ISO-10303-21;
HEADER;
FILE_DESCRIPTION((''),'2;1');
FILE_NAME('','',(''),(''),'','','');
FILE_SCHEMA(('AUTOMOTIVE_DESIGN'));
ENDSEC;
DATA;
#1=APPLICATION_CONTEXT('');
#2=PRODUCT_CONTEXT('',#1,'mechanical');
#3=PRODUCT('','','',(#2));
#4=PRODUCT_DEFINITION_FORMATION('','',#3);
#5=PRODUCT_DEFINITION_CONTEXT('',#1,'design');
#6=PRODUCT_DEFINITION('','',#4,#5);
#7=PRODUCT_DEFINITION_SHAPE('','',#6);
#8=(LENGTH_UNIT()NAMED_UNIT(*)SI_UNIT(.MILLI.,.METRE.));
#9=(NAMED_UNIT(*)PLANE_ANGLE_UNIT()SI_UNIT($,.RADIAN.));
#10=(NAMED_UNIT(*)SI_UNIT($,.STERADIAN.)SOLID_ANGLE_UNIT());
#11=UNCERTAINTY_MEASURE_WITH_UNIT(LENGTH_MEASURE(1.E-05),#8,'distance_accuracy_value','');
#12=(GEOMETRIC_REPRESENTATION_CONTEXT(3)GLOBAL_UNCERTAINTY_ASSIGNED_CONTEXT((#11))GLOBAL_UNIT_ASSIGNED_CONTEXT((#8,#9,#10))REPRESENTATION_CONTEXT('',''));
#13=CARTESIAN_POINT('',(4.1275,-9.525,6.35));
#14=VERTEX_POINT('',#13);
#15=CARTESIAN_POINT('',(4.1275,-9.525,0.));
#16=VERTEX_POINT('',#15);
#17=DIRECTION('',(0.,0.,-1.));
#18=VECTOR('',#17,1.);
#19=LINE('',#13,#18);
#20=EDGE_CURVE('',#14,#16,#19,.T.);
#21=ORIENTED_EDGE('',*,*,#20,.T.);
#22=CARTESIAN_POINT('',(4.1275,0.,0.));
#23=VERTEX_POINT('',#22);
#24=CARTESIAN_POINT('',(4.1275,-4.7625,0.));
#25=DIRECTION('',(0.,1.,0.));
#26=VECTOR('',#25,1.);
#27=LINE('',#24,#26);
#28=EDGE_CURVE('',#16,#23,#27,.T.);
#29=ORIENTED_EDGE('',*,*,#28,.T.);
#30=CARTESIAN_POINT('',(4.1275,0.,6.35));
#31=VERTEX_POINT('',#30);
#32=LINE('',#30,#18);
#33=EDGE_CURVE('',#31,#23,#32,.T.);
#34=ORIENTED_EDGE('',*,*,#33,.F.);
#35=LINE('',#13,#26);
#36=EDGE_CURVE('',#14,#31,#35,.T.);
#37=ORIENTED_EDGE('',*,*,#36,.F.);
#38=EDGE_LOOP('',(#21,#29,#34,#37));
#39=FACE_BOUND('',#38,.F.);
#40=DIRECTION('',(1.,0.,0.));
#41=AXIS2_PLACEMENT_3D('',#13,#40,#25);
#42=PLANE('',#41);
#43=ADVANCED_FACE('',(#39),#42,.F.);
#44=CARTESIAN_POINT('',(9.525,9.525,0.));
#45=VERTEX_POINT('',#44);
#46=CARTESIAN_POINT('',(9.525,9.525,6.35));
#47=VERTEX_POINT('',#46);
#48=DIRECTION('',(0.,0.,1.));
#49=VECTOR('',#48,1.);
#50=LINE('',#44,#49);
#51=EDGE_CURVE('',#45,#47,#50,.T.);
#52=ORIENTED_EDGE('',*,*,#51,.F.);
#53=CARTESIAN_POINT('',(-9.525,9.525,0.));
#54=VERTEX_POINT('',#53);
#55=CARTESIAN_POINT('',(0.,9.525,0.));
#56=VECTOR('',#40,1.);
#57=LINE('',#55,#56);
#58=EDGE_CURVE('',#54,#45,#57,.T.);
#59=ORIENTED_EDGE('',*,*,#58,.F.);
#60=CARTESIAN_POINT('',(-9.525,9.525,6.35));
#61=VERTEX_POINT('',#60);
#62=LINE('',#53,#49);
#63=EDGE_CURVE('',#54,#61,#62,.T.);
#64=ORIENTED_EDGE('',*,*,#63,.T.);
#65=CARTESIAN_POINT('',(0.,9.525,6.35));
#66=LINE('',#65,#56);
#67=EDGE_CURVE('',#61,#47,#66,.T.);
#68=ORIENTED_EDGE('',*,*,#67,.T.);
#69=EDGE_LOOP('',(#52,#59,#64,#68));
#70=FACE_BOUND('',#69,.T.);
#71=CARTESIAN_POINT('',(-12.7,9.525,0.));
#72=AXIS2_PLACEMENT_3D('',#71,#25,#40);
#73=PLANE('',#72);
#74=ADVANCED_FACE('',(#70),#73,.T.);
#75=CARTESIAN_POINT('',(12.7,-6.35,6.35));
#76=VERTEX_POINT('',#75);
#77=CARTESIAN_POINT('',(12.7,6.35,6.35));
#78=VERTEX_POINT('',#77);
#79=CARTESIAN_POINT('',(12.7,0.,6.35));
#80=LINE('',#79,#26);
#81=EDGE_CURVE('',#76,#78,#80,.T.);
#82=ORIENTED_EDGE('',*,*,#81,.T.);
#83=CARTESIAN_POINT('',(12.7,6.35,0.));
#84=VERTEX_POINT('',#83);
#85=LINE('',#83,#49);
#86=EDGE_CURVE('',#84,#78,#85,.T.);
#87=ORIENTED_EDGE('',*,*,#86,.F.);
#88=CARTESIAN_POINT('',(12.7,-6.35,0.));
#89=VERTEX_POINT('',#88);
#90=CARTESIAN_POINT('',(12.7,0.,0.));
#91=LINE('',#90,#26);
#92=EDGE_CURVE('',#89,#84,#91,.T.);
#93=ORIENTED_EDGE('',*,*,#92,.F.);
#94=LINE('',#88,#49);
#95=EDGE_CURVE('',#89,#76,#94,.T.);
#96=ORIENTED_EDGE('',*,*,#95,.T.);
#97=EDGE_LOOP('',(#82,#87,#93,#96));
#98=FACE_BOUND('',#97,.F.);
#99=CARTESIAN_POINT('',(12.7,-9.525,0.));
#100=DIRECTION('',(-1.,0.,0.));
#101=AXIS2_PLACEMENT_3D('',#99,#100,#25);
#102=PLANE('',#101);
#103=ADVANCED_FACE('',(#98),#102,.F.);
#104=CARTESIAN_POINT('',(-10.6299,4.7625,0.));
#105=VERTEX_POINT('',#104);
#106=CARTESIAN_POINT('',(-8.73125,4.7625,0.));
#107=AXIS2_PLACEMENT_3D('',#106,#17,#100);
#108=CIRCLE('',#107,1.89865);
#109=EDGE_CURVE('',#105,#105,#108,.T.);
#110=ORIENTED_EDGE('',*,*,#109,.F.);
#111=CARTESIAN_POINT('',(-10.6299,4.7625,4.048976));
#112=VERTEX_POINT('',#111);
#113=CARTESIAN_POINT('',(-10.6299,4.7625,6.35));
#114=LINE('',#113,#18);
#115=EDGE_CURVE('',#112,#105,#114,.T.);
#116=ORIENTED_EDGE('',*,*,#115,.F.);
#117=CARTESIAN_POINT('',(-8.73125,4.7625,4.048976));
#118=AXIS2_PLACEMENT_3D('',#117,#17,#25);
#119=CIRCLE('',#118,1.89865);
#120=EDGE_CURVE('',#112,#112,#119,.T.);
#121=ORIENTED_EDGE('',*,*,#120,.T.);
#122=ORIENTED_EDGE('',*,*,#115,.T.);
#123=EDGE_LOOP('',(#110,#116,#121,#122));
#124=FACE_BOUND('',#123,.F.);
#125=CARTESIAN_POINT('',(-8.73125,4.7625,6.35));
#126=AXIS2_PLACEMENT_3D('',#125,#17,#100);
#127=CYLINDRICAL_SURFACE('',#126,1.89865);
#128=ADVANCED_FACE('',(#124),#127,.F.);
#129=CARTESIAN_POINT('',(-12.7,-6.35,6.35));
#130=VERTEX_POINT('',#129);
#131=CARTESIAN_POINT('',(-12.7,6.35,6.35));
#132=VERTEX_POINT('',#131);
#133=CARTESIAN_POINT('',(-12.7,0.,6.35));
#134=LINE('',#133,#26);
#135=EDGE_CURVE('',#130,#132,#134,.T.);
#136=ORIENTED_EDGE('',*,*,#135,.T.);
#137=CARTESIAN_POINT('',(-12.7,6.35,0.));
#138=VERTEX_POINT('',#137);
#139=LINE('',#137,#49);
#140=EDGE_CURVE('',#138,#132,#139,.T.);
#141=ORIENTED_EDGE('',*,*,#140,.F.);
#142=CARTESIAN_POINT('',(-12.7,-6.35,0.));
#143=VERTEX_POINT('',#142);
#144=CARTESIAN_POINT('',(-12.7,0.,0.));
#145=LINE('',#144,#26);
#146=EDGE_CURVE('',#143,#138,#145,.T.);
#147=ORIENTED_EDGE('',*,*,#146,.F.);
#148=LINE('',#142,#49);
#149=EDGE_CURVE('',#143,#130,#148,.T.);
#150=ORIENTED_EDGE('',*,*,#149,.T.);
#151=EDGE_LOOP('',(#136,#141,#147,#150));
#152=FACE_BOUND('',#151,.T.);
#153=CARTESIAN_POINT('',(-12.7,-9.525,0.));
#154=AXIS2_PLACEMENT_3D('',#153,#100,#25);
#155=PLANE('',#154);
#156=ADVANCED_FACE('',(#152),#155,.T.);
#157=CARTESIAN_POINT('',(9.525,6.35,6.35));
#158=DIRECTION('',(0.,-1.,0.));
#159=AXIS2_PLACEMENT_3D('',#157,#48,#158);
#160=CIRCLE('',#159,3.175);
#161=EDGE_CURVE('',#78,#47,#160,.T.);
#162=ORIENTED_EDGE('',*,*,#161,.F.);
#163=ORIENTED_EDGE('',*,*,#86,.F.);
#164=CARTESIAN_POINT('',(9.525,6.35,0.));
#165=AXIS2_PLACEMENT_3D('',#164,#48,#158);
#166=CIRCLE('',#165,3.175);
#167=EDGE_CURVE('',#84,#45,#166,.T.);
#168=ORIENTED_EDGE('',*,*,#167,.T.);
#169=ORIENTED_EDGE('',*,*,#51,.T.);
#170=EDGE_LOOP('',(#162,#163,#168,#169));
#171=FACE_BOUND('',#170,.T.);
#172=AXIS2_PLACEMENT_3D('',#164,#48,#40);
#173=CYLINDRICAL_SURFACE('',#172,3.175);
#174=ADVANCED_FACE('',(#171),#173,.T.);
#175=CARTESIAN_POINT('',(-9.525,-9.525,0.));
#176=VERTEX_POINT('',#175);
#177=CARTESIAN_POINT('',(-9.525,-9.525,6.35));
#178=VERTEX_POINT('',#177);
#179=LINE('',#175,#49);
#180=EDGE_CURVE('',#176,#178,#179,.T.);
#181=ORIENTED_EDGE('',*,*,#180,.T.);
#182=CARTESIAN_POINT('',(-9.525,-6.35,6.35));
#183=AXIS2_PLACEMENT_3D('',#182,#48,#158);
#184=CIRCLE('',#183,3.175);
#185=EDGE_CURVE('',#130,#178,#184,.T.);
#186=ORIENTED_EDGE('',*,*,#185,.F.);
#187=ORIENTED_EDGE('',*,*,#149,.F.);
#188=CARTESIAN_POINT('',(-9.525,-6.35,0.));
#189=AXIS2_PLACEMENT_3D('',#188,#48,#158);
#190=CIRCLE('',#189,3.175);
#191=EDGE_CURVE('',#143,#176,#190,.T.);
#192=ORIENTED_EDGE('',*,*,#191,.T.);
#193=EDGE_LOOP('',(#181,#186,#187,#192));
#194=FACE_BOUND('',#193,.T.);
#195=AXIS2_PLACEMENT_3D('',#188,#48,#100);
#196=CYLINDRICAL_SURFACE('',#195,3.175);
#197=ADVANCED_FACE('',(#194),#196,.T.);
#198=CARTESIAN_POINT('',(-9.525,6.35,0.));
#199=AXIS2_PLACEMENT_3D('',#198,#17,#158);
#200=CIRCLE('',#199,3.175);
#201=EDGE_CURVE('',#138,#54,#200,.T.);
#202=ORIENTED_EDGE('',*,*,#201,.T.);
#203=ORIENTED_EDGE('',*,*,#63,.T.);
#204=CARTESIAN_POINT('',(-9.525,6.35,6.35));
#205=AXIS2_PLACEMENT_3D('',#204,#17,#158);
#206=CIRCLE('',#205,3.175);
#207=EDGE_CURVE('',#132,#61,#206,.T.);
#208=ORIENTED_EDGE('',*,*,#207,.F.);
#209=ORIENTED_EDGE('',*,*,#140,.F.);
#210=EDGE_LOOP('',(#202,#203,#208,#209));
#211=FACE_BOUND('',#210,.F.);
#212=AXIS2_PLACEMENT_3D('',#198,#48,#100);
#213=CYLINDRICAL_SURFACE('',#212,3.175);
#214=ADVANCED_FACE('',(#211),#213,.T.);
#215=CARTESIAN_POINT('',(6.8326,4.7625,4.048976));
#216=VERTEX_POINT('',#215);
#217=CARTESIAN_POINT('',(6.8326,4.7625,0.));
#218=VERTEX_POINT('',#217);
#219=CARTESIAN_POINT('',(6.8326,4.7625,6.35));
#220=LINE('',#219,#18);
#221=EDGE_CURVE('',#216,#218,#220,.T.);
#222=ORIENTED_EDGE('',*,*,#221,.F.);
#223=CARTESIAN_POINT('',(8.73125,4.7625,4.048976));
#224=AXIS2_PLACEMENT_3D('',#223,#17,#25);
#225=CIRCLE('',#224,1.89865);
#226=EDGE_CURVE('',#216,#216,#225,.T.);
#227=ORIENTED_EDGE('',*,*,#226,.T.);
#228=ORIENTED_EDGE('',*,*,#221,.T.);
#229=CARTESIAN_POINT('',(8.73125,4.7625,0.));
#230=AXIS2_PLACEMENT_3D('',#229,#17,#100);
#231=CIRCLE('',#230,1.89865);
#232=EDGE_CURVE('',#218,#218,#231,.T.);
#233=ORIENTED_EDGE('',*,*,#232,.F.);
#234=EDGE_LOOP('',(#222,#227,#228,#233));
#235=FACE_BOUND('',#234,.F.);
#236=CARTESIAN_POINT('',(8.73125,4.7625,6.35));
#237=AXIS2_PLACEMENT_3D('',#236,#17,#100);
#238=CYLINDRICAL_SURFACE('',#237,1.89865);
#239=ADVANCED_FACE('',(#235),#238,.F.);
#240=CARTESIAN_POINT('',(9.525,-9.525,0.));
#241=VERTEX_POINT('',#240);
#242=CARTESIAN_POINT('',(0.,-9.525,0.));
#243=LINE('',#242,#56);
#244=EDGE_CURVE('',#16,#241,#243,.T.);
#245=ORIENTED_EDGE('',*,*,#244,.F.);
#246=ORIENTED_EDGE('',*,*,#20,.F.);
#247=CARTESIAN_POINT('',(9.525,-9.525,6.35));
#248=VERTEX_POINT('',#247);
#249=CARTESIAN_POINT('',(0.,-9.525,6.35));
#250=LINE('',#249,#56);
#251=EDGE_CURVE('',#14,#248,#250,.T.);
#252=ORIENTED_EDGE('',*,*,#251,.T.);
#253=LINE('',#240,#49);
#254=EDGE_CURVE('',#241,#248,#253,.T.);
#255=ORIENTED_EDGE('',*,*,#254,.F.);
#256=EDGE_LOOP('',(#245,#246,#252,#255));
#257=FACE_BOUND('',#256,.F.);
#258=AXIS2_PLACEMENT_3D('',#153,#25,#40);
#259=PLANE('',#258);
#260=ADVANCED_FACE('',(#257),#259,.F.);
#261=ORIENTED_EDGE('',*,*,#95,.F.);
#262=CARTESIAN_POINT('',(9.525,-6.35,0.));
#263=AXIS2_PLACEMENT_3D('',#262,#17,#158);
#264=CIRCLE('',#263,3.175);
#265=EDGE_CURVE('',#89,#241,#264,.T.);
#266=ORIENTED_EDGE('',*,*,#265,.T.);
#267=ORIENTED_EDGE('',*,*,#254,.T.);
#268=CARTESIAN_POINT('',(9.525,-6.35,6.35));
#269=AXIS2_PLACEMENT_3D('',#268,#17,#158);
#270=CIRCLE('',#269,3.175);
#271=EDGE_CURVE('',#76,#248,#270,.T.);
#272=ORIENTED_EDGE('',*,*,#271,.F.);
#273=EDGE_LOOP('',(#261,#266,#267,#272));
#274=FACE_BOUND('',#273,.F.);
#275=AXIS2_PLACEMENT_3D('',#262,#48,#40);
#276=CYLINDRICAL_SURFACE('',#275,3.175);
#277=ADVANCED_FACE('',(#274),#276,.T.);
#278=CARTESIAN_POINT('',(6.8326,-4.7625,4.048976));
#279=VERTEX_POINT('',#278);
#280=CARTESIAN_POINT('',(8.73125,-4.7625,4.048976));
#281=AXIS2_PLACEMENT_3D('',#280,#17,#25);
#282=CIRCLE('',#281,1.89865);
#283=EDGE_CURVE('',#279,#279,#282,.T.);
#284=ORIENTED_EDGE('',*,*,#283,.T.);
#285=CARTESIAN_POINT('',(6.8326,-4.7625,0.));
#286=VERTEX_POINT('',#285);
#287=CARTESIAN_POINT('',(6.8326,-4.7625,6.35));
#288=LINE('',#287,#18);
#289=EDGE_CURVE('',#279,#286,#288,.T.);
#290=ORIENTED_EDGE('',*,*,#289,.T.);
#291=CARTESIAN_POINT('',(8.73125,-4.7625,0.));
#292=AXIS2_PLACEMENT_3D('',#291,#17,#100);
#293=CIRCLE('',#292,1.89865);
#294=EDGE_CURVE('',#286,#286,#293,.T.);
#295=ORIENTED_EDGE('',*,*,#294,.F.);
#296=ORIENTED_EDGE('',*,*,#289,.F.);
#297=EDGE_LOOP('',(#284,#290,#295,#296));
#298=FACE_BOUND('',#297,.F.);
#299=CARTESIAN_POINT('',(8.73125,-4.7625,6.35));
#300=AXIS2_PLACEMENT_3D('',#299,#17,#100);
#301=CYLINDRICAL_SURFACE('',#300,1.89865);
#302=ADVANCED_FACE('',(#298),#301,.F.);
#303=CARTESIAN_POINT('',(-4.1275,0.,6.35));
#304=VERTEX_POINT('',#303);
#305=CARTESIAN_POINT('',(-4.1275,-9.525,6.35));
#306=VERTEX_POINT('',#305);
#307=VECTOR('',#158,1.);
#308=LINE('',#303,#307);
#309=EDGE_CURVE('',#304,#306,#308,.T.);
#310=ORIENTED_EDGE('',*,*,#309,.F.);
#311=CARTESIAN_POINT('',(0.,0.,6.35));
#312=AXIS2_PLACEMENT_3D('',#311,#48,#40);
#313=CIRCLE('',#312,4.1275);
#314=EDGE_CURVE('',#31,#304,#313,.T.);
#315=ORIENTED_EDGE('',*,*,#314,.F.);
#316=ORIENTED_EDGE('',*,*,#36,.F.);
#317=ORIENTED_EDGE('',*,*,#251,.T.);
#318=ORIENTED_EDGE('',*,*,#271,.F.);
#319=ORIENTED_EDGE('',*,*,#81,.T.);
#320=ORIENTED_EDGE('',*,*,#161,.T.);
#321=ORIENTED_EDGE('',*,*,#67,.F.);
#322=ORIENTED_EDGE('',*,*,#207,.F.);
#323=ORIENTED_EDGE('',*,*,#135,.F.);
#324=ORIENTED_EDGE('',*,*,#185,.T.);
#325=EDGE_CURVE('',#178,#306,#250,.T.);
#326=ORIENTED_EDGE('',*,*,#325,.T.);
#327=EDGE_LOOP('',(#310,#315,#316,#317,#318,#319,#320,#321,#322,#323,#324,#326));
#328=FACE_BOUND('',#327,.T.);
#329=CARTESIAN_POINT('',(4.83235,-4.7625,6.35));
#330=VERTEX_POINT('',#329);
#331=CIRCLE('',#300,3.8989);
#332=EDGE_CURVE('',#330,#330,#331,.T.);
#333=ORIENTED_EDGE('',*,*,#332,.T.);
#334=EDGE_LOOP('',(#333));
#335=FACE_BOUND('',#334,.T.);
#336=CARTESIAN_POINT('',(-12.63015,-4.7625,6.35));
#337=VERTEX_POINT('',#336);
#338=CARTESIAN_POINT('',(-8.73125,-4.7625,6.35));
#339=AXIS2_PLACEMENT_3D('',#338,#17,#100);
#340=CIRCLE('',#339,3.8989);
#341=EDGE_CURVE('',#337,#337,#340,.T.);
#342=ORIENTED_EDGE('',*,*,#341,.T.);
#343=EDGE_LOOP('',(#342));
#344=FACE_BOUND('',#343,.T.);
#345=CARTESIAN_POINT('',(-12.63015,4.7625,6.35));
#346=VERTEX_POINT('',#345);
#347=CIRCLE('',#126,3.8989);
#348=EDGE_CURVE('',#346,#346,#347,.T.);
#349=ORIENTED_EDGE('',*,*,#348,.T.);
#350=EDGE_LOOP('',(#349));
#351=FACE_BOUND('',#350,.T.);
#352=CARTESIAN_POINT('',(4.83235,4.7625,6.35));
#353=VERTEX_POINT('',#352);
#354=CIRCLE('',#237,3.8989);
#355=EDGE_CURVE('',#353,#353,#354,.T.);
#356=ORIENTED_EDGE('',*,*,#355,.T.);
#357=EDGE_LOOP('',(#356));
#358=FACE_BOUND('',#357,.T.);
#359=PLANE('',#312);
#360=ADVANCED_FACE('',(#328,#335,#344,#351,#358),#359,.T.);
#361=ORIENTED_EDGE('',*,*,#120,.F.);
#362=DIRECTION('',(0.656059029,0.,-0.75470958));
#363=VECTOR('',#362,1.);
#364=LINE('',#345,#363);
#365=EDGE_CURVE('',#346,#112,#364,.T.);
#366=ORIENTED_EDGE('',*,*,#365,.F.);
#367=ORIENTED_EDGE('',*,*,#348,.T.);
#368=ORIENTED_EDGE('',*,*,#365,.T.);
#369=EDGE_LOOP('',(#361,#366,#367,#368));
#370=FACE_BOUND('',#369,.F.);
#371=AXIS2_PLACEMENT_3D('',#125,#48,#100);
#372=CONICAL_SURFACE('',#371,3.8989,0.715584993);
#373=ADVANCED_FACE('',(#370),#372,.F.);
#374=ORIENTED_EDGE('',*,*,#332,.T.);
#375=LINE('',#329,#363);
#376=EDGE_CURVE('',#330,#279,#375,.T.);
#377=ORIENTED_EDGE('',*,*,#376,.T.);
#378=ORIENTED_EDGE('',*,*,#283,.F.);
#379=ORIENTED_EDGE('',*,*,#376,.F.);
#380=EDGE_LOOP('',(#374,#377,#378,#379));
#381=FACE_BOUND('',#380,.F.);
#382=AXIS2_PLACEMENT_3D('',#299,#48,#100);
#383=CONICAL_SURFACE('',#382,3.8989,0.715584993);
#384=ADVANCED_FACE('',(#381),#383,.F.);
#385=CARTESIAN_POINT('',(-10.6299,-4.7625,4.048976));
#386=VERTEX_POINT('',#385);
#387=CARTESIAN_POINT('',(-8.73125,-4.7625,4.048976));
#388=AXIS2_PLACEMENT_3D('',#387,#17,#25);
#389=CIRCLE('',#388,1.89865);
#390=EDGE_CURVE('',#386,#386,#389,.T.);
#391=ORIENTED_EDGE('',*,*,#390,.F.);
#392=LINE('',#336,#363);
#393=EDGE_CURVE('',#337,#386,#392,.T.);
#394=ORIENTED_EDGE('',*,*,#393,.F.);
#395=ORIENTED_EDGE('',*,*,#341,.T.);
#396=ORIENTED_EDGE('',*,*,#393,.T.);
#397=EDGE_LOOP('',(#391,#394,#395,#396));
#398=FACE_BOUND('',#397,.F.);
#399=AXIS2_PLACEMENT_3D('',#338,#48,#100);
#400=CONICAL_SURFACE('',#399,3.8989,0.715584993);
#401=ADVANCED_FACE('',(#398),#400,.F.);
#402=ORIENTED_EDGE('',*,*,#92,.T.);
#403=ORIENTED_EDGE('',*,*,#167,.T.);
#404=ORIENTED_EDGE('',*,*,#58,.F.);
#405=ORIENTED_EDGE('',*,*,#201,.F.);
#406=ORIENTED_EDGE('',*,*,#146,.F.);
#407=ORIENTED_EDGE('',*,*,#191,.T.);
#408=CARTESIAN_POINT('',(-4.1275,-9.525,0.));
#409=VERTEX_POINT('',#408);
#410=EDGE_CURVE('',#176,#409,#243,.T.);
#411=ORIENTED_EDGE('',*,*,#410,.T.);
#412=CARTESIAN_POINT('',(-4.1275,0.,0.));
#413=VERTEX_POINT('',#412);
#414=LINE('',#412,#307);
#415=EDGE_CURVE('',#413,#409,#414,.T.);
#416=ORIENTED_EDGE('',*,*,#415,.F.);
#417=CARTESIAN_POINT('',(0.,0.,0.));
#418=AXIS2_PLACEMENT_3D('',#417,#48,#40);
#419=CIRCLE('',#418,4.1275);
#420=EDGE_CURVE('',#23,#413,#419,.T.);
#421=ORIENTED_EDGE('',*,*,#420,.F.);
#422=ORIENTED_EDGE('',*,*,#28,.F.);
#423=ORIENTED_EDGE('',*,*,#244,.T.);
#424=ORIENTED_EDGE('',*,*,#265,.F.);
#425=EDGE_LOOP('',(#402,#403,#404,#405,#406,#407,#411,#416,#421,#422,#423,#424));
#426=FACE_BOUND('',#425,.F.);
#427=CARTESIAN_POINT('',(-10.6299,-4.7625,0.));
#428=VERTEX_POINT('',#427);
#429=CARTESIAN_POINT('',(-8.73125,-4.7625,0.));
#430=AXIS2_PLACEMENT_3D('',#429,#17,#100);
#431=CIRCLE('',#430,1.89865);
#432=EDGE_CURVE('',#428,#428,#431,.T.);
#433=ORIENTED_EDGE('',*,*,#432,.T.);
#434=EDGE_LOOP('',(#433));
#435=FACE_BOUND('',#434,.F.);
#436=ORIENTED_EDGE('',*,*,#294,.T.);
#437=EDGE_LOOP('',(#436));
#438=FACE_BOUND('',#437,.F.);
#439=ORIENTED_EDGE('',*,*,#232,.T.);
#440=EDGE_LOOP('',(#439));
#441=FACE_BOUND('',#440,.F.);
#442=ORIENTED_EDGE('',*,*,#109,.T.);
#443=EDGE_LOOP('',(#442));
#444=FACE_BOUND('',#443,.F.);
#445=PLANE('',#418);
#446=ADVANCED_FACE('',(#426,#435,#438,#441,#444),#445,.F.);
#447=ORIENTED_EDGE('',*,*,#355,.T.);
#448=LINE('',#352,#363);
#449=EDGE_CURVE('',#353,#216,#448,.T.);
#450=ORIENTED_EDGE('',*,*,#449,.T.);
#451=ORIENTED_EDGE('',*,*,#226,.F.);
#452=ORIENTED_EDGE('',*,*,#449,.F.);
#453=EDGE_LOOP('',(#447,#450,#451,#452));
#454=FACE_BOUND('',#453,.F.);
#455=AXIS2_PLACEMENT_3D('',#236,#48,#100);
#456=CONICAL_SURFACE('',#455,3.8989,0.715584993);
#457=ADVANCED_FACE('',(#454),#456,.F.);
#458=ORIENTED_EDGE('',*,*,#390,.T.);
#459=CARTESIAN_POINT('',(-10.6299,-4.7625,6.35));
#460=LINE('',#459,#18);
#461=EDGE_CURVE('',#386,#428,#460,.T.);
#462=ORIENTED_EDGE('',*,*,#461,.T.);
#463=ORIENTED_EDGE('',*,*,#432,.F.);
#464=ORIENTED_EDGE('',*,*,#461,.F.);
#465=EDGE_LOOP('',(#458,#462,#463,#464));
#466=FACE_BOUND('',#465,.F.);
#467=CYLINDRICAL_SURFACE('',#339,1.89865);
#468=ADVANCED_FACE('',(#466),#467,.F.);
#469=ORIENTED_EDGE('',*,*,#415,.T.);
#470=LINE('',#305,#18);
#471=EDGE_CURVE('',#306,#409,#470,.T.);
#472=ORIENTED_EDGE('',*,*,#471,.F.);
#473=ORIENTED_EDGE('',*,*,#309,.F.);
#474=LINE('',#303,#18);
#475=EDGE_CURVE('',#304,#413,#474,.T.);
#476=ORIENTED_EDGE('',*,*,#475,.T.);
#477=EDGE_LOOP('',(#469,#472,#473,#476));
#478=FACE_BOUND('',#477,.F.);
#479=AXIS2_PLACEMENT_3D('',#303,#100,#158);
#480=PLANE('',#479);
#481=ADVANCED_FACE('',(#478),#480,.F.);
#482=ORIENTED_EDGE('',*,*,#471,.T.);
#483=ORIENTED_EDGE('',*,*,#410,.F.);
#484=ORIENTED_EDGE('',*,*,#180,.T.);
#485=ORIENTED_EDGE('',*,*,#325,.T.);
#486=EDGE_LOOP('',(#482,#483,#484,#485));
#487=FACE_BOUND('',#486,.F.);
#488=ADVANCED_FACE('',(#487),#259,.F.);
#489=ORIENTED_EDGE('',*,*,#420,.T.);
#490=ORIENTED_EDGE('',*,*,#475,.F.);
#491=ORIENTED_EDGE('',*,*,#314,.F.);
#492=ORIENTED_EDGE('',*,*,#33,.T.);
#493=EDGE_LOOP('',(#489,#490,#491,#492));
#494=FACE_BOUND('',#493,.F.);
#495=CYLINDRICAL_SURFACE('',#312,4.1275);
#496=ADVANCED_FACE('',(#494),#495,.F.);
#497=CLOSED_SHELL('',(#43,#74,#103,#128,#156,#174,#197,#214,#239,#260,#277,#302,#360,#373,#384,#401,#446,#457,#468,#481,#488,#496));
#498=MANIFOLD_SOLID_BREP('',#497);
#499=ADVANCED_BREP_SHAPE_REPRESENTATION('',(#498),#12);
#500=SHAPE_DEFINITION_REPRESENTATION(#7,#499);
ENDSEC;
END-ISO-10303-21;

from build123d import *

# Parameters (mm, degrees)
F0_W           = 25.4
F0_H           = 19.05
F1_DEPTH       = 6.35
F3_DEPTH       = 6.351
F5_D           = 3.7973
F5_CSINK_D     = 7.7978
F5_CSINK_ANGLE = 82
F6_R           = 3.175


with BuildPart() as f1:
    # F0 (on Top) → F1 (new body)
    with BuildSketch(Plane.XY):
        Rectangle(F0_W, F0_H)
    extrude(amount=F1_DEPTH)

    # F2 (on face) → F3 (cut, through all)
    with BuildSketch(Plane.XY.offset(6.35)):
        with BuildLine():
            Line((4.1275, -9.525), (4.1275, 0))
            ThreePointArc((4.1275, 0), (0, 4.1275), (-4.1275, 0))
            Line((-4.1275, 0), (-4.1275, -9.525))
            Line((-4.1275, -9.525), (4.1275, -9.525))
        make_face()
    extrude(amount=-F3_DEPTH, mode=Mode.SUBTRACT)

    # F5 (through all)
    with Locations(Plane.XY.offset(6.35)):
        with Locations((-8.73125, 4.7625), (8.73125, 4.7625), (8.73125, -4.7625), (-8.73125, -4.7625)):
            CounterSinkHole(F5_D / 2, F5_CSINK_D / 2, counter_sink_angle=F5_CSINK_ANGLE)

    # F6
    f6_edges = [f1.edges().sort_by_distance(p)[0] for p in [
        (-12.7, 9.525, 3.175),
        (-12.7, -9.525, 3.175),
        (12.7, -9.525, 3.175),
        (12.7, 9.525, 3.175),
    ]]
    fillet(f6_edges, radius=F6_R)


solid = f1.part
